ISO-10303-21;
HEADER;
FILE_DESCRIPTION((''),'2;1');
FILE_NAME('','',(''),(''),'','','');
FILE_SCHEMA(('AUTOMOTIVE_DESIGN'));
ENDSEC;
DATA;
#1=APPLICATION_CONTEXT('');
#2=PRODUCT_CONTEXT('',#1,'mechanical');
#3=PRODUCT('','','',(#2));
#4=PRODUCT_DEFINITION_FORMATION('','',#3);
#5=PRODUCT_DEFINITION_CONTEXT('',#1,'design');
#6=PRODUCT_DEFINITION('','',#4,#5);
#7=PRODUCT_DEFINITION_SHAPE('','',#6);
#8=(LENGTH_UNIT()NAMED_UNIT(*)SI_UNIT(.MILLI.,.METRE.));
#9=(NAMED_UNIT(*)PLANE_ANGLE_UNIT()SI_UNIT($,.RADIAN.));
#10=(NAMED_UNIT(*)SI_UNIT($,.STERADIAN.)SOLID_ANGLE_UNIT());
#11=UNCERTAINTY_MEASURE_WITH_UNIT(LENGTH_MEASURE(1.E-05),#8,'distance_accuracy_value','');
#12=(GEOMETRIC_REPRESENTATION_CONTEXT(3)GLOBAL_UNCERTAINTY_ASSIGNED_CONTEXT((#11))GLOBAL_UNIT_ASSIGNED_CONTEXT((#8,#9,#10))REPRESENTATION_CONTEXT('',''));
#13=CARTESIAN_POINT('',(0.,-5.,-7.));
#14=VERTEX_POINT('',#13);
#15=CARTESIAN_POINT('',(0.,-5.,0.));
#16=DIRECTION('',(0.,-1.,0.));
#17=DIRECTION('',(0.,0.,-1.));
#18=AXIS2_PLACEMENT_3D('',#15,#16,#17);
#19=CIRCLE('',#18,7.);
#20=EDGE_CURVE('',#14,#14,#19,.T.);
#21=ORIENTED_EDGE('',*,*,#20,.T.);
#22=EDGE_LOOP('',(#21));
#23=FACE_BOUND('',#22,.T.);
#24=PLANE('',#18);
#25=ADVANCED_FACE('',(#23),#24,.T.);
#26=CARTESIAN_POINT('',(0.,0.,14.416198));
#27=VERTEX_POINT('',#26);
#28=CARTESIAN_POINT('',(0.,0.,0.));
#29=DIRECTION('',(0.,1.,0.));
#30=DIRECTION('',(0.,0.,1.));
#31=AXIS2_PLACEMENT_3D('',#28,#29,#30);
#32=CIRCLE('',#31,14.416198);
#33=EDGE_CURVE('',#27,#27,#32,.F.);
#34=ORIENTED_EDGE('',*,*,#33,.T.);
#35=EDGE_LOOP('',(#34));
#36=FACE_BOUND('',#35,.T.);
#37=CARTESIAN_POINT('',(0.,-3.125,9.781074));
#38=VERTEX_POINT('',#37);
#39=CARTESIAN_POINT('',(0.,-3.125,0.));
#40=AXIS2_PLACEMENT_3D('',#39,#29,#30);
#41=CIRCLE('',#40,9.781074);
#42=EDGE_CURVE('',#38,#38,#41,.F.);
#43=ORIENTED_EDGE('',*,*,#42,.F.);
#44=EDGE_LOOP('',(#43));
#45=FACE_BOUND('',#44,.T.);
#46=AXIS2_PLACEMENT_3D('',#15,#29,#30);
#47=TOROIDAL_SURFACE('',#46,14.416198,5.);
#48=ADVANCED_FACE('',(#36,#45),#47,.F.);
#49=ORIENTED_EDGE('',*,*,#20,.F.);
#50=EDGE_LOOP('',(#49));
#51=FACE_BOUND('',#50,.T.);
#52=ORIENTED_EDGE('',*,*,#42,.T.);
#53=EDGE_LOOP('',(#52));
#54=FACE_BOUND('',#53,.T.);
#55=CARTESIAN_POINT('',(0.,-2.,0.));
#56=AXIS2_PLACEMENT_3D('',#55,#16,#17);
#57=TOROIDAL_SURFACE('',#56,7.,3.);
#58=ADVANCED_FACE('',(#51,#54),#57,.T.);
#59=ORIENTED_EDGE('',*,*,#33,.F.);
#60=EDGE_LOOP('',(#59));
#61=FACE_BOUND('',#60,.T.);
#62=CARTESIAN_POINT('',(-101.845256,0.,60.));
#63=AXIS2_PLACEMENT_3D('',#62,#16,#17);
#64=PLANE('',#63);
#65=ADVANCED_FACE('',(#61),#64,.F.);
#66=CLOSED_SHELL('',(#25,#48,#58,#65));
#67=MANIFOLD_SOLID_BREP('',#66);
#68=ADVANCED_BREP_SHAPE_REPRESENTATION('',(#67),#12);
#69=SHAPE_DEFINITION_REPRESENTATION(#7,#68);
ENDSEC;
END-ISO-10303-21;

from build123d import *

# Parameters (mm, degrees)
SKETCH1_W           = 203.69051182
SKETCH1_H           = 2
BASE_EXTRUDE_DEPTH  = 60
SKETCH3_R           = 10
BOSS_EXTRUDE1_DEPTH = 5
FILLET_2_R          = 3
FILLET2_R           = 5
SKETCH4_W           = 120
SKETCH4_H           = 2
CUT_EXTRUDE1_DEPTH  = 213.402506245


with BuildPart() as part:
    # Sketch1 → Base-Extrude (new, symmetric)
    with BuildSketch(Plane.XY):
        with Locations((0, 1)):
            Rectangle(SKETCH1_W, SKETCH1_H)
    extrude(amount=BASE_EXTRUDE_DEPTH, both=True)

    # Sketch3 → Boss-Extrude1 (add)
    with BuildSketch(Plane.XZ):
        with Locations(Location((0, 0, 0), (0, 0, 90))):
            Circle(SKETCH3_R)
    extrude(amount=BOSS_EXTRUDE1_DEPTH)

    # Fillet 2
    fillet_2_edges = [part.edges().sort_by_distance(p)[0] for p in [
        (0, -5, -10),
    ]]
    fillet(fillet_2_edges, radius=FILLET_2_R)

    # Fillet2
    fillet2_edges = [part.edges().sort_by_distance(p)[0] for p in [
        (0, 0, -10),
    ]]
    fillet(fillet2_edges, radius=FILLET2_R)

    # Sketch4 → Cut-Extrude1 (cut, through all)
    with BuildSketch(Plane(origin=(101.84525591, 0, 0), x_dir=(0, 0, -1), z_dir=(1, 0, 0))):
        with Locations((0, 1)):
            Rectangle(SKETCH4_W, SKETCH4_H)
    extrude(amount=-CUT_EXTRUDE1_DEPTH, mode=Mode.SUBTRACT)


solid = part.part
